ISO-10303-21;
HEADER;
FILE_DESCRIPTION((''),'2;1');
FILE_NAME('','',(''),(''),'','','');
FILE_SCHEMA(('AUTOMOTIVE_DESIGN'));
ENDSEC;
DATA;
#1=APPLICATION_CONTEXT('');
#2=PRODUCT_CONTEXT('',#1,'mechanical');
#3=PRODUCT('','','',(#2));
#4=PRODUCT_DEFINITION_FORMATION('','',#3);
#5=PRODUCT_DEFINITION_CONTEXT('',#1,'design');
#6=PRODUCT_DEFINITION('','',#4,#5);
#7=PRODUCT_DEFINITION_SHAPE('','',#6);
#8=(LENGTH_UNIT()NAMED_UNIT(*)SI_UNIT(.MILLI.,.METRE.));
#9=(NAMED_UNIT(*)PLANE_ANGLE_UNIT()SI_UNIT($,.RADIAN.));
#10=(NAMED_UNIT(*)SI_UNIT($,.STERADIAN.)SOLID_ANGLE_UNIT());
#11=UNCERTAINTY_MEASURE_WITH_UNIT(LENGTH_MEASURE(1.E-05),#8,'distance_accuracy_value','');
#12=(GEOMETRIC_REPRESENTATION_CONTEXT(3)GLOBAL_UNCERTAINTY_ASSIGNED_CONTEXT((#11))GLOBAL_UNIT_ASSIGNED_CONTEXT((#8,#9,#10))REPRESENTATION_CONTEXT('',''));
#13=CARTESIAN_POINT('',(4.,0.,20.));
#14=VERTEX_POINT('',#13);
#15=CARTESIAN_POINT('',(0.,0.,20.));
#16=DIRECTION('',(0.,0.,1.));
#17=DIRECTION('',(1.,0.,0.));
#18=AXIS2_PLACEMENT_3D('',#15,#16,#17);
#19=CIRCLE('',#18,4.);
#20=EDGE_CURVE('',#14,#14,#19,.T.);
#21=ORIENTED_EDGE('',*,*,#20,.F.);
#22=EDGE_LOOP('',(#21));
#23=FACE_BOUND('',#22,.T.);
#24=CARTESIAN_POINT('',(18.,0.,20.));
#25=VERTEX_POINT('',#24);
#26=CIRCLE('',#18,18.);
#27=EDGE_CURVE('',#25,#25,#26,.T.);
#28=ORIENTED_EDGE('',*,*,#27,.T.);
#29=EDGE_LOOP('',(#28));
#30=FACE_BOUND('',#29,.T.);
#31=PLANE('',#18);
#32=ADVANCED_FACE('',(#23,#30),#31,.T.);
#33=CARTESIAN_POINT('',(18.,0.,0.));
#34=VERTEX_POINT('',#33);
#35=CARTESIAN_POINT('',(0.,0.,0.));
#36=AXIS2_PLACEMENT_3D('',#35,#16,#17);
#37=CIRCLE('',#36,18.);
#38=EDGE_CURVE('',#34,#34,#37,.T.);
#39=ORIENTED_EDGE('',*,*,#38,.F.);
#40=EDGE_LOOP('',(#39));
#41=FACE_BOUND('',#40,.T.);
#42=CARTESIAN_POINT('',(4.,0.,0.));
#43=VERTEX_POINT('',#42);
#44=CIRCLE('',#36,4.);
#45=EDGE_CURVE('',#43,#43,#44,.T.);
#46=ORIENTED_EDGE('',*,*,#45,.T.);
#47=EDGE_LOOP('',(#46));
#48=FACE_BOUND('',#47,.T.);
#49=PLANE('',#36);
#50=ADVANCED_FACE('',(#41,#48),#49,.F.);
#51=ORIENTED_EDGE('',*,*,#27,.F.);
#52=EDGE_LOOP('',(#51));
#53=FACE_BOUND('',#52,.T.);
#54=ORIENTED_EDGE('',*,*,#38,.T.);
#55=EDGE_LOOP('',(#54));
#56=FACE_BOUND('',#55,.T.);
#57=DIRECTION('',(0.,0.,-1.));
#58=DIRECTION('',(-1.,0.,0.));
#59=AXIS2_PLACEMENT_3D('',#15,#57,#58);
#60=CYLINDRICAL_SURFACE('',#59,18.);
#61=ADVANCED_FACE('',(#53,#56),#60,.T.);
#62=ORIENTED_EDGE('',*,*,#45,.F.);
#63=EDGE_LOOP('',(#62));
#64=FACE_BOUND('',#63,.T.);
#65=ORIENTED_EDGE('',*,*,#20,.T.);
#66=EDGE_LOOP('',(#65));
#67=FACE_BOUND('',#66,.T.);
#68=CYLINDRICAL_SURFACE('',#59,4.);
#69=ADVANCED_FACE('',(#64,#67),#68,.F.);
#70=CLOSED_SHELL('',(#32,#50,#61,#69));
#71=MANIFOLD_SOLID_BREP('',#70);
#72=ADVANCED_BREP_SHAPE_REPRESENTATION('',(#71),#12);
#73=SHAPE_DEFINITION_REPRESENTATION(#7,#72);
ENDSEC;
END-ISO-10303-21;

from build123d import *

# Parameters (mm, degrees)
SKETCH1_R           = 18
BOSS_EXTRUDE1_DEPTH = 20
SKETCH2_R           = 4
CUT_EXTRUDE1_DEPTH  = 20


with BuildPart() as part:
    # Sketch1 → Boss-Extrude1 (new body)
    with BuildSketch(Plane.XY):
        Circle(SKETCH1_R)
    extrude(amount=BOSS_EXTRUDE1_DEPTH)

    # Sketch2 → Cut-Extrude1 (cut)
    with BuildSketch(Plane.XY):
        Circle(SKETCH2_R)
    extrude(amount=CUT_EXTRUDE1_DEPTH, mode=Mode.SUBTRACT)


solid = part.part
